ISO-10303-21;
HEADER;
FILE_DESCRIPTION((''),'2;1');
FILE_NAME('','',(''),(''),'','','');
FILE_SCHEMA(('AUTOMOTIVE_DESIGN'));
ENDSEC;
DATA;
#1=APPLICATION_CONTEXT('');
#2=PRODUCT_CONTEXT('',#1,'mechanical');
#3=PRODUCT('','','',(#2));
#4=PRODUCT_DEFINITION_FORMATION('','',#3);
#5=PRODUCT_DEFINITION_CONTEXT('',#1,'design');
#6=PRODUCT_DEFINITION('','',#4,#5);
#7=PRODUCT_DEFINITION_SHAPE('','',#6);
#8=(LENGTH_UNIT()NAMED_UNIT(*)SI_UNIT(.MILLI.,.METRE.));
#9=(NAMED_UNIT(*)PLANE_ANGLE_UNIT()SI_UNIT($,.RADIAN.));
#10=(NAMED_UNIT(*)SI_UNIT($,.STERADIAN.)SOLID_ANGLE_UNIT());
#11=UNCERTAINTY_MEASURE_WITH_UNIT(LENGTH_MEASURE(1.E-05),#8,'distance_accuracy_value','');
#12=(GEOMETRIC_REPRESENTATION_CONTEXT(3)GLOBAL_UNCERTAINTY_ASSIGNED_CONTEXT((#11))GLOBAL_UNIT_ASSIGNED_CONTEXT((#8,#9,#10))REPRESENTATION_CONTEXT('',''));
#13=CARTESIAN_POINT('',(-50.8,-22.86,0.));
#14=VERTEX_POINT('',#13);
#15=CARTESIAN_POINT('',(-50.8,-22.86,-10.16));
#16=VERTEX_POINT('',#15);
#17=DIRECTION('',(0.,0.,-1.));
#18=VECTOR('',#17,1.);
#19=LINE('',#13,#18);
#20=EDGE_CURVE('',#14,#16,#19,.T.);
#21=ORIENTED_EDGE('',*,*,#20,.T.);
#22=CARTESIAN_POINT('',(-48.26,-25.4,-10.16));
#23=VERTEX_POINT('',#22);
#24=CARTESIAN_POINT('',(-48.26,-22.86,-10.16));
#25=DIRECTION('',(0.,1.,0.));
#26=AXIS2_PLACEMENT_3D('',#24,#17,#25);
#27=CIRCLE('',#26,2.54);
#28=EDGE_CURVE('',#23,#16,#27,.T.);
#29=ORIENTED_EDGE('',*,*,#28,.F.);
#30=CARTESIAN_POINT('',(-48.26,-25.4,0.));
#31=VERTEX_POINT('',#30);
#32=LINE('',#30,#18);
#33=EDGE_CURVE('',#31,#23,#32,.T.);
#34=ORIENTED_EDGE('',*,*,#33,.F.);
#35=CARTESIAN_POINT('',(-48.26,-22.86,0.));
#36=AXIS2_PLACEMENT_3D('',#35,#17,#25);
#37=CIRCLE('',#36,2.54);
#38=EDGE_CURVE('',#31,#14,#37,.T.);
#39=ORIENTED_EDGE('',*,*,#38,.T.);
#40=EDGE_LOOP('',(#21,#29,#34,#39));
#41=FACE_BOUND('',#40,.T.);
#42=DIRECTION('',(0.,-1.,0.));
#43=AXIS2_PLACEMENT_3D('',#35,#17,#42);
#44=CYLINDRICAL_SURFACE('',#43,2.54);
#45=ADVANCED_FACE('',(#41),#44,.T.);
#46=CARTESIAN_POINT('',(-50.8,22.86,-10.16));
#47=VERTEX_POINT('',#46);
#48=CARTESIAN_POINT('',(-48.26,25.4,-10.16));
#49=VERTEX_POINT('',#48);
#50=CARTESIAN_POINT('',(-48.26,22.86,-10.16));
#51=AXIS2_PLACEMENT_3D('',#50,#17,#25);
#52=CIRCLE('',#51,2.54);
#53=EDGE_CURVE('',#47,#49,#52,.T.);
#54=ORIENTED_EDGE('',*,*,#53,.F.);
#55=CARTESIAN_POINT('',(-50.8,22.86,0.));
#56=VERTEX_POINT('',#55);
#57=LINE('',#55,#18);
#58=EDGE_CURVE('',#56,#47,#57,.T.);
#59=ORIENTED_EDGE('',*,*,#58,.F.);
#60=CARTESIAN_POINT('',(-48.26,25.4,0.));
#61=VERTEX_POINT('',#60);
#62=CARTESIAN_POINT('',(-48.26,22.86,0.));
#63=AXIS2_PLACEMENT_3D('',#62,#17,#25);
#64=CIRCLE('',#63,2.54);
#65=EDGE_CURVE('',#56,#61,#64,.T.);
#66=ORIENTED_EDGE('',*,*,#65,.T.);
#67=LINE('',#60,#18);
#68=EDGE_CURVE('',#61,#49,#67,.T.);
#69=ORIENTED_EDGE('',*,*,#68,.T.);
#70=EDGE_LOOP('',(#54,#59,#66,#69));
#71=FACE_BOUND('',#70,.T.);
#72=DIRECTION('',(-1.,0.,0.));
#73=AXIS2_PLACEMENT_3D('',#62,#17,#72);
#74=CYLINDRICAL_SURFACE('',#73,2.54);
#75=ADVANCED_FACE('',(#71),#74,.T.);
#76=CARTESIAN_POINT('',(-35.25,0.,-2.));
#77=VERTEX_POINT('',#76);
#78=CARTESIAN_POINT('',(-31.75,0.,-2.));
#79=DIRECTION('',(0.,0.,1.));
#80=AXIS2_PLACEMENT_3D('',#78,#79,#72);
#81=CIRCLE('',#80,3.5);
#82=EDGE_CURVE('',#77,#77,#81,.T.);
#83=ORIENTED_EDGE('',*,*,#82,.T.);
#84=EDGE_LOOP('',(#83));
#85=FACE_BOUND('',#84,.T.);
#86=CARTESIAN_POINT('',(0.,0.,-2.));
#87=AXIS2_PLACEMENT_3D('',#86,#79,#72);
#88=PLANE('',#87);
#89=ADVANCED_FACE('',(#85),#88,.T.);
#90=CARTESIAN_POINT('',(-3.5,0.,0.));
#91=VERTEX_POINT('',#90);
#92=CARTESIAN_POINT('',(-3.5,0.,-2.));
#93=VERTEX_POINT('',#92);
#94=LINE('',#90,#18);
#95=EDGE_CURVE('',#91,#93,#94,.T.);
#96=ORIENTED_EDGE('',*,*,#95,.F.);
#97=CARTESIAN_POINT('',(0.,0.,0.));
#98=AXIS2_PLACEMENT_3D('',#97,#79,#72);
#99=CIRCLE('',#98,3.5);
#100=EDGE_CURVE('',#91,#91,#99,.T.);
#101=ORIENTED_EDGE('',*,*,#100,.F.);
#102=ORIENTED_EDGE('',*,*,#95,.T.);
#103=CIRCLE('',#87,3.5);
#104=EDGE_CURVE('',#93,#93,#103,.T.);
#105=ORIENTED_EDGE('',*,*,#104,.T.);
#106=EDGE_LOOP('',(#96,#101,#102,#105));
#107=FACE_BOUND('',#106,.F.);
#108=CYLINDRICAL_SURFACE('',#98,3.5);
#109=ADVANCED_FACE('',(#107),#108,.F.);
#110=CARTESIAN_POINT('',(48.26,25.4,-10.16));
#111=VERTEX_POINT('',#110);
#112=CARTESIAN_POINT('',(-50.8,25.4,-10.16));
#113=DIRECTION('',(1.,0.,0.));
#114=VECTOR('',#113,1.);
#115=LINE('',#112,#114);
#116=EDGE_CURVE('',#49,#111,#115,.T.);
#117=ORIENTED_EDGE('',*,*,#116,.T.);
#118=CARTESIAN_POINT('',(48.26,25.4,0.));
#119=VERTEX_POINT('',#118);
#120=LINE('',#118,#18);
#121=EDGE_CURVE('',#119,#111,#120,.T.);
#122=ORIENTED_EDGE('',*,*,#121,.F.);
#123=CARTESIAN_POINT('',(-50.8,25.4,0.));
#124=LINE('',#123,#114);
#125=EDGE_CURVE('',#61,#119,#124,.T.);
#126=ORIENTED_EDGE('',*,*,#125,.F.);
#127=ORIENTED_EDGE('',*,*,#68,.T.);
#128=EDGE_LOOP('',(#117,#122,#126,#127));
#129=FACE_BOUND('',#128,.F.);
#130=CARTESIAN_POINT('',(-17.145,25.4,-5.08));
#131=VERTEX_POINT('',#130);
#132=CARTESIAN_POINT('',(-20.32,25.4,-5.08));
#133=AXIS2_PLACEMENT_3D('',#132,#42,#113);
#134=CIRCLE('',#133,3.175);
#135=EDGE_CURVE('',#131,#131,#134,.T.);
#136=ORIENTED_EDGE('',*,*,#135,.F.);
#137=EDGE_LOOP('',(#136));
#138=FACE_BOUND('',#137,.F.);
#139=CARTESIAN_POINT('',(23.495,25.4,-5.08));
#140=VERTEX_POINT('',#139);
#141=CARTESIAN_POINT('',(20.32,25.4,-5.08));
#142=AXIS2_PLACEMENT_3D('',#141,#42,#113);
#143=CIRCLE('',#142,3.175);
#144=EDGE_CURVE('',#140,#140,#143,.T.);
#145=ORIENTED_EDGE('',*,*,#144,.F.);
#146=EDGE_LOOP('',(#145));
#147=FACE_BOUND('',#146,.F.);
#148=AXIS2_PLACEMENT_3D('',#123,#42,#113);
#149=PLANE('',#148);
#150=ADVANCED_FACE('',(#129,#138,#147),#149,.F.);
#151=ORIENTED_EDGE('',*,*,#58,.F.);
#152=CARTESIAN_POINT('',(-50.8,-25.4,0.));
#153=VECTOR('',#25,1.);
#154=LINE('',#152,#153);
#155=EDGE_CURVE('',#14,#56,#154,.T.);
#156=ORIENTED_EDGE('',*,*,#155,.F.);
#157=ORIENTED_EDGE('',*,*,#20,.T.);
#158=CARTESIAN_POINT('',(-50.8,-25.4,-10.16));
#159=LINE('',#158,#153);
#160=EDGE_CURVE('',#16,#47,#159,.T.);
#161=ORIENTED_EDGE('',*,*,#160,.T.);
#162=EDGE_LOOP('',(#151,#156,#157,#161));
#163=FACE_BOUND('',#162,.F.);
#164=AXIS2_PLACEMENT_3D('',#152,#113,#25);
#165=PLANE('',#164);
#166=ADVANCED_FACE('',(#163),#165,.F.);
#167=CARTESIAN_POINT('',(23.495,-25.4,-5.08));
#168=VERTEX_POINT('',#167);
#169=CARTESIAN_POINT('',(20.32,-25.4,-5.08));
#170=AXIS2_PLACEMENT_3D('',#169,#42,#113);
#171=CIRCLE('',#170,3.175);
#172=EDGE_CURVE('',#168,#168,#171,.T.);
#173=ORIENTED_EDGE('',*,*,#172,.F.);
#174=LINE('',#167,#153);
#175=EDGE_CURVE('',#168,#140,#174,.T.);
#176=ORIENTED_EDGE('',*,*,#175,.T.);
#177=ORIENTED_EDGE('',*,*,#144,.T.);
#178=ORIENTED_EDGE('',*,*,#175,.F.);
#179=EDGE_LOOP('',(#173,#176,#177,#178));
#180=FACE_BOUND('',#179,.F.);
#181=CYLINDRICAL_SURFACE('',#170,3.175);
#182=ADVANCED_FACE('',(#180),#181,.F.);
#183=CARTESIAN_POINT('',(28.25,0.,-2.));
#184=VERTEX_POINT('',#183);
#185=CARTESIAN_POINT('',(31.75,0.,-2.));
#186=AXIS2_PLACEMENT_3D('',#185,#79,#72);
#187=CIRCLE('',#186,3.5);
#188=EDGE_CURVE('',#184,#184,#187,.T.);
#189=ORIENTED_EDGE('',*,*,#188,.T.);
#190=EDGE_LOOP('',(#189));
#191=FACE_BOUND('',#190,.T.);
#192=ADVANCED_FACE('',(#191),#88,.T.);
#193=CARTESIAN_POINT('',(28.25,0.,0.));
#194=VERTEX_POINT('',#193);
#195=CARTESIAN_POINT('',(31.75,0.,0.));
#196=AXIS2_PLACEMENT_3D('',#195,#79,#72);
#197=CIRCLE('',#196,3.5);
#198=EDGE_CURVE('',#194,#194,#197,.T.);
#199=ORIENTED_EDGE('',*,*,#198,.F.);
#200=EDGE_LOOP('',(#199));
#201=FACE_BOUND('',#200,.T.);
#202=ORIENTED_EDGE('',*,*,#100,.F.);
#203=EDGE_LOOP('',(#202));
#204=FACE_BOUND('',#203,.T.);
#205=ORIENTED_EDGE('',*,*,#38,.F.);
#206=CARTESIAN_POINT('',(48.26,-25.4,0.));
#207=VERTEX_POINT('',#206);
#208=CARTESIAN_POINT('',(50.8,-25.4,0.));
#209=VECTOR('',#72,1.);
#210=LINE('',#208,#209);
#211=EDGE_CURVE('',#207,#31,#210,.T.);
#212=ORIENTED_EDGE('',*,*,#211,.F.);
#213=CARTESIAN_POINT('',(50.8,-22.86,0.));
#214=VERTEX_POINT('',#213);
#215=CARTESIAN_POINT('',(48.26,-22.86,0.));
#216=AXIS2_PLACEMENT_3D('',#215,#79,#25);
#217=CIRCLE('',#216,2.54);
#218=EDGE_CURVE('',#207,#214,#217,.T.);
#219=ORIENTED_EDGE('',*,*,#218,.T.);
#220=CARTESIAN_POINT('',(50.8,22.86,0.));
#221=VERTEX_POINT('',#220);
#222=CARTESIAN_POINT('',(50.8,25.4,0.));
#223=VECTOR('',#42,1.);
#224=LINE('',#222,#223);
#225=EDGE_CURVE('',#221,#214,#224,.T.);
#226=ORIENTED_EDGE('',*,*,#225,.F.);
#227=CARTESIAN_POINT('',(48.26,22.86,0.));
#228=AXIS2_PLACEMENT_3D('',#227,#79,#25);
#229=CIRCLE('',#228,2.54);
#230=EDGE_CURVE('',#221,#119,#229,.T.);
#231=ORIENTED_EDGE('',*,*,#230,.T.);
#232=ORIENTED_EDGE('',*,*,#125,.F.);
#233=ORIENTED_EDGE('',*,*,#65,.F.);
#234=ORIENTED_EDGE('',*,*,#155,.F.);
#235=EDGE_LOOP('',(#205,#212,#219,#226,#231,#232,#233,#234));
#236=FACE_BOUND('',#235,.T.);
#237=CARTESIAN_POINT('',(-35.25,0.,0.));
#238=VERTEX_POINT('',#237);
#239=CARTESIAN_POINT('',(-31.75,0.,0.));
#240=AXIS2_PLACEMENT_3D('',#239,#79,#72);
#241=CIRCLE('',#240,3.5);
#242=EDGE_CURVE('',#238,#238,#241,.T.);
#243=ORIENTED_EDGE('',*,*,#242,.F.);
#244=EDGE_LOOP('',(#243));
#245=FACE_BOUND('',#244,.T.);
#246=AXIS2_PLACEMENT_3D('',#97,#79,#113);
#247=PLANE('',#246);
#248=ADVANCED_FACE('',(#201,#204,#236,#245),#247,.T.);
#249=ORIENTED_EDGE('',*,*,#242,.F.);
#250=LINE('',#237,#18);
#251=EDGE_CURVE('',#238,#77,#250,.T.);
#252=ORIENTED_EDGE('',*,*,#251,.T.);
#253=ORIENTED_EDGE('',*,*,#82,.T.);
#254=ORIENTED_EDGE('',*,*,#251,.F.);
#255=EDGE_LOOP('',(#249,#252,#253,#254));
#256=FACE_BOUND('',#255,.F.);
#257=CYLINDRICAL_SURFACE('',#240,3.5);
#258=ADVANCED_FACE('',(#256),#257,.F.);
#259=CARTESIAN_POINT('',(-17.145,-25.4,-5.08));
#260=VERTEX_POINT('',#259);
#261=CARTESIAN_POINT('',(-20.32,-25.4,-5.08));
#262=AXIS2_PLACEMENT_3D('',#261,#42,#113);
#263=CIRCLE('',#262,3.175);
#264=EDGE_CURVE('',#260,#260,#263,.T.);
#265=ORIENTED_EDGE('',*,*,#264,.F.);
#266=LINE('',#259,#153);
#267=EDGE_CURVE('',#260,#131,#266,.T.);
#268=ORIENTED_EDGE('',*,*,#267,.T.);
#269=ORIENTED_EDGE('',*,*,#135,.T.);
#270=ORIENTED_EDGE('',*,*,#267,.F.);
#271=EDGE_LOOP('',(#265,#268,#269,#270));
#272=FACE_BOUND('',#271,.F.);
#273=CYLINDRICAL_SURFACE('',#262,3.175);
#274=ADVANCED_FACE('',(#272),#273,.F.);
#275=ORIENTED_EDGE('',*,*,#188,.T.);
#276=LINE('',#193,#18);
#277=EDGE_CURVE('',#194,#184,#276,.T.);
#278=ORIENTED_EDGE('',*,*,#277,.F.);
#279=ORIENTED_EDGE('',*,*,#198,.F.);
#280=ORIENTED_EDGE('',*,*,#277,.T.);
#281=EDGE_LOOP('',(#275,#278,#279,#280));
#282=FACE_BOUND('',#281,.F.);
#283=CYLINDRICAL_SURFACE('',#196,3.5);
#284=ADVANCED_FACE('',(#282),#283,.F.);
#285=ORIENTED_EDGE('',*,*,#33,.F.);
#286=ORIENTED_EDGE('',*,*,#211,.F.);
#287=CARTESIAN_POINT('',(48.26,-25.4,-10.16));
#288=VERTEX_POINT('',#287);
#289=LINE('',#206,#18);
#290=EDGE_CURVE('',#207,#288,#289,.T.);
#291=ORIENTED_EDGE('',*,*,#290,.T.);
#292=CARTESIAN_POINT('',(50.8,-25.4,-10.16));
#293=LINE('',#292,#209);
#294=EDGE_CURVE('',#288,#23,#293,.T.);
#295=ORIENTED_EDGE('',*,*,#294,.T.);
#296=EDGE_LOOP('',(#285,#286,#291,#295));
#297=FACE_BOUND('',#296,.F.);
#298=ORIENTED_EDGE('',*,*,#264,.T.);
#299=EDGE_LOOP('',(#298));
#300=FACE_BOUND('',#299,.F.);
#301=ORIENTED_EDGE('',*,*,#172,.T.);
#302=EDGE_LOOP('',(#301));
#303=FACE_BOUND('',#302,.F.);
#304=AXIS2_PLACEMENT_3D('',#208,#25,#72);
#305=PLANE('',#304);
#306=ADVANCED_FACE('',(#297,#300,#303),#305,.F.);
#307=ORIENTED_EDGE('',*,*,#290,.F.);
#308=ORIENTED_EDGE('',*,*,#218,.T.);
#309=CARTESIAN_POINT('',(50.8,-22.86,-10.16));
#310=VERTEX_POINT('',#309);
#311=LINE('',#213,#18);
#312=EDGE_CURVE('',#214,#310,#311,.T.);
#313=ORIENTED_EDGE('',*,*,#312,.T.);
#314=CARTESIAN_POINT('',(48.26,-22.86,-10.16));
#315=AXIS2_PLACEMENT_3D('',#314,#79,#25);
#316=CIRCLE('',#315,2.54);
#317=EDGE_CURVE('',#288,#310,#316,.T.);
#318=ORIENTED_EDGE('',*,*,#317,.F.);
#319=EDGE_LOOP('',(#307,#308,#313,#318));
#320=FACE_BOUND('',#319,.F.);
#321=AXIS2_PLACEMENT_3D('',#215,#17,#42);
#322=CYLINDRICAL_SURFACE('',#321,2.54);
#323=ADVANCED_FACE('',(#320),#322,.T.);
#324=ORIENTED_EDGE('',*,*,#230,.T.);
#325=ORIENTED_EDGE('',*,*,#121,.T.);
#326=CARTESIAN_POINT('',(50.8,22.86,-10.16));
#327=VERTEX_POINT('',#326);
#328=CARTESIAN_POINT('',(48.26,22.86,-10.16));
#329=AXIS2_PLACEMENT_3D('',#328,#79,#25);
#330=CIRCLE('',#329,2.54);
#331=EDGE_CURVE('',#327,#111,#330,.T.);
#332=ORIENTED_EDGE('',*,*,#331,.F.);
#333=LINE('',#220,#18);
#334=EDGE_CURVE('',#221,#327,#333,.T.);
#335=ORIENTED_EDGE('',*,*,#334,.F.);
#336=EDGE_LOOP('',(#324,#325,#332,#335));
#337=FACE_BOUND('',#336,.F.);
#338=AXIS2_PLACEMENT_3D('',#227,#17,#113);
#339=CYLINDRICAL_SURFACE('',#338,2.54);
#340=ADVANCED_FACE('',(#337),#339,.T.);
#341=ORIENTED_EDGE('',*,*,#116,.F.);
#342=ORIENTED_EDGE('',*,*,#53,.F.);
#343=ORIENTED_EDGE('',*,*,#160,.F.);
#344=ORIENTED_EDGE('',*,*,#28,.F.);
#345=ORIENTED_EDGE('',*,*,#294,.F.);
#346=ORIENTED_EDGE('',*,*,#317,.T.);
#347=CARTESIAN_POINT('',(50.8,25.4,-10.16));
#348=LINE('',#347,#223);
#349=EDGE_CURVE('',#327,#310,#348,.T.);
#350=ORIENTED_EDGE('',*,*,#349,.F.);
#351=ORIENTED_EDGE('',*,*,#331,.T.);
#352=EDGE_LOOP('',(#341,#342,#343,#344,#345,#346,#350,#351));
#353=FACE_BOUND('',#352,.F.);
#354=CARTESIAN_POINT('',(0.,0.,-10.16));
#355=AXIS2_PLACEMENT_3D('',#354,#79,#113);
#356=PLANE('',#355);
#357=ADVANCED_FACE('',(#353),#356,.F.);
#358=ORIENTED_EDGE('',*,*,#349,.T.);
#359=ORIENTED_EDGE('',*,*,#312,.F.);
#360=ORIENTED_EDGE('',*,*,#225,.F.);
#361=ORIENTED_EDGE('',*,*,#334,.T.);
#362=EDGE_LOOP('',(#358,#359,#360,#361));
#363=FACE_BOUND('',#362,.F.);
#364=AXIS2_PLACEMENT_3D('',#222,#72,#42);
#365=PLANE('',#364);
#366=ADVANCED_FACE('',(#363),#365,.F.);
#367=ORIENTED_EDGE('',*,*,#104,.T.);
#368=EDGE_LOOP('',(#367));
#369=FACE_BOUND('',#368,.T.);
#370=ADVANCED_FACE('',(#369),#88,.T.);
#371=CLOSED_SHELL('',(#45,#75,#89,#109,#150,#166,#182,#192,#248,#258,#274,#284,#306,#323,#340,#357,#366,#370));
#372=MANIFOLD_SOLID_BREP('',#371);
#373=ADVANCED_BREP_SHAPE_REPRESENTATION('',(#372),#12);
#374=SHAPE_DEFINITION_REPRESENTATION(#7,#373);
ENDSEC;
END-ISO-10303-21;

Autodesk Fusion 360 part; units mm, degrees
sketch "Sketch1" plane through (0, 0, 0) normal (0, 0, 1) x (1, 0, 0)
  line L0 (50.8, -25.4) -> (-50.8, -25.4)
  line L1 (-50.8, -25.4) -> (-50.8, 25.4)
  line L2 (-50.8, 25.4) -> (50.8, 25.4)
  line L3 (50.8, 25.4) -> (50.8, -25.4)
  line L4 (50.8, -25.4) -> (-50.8, 25.4) construction
  line L5 (-50.8, -25.4) -> (50.8, 25.4) construction
  dimension "d2" = 101.6
  dimension "d8" = 50.8
extrude "Extrude1" add sketch "Sketch1" against normal blind 10.16
sketch "Sketch2" plane through (0, 0, 0) normal (0, 0, 1) x (-1, 0, 0)
  line L0 (-50.8, -25.4) -> (50.8, -25.4)
  line L1 (50.8, -25.4) -> (50.8, 25.4)
  line L2 (50.8, 25.4) -> (-50.8, 25.4)
  line L3 (-50.8, 25.4) -> (-50.8, -25.4)
  circle A0 centre (31.75, 0) radius 3.5
  circle A1 centre (0, 0) radius 3.5
  circle A2 centre (-31.75, 0) radius 3.5
  line L4 (12.7, -25.4) -> (12.7, 25.4) construction
  dimension "d11" = 7
  dimension "d12" = 19.05
  dimension "d13" = 7
  dimension "d14" = 50.8
  dimension "d15" = 7
  dimension "d16" = 19.05
  dimension "d17" = 25.4
  dimension "d18" = 25.4
  dimension "d19" = 25.4
  dimension "d22" = 38.1
extrude "Extrude2" cut sketch "Sketch2" against normal blind 2 contours A0 | A1 | A2
sketch "Sketch3" plane through (0, -25.4, 0) normal (0, -1, 0) x (1, 0, 0)
  line L0 (50.8, 0) -> (-50.8, 0)
  line L1 (-50.8, 0) -> (-50.8, -10.16)
  line L2 (-50.8, -10.16) -> (50.8, -10.16)
  line L3 (50.8, -10.16) -> (50.8, 0)
  circle A0 centre (-20.32, -5.08) radius 3.175
  circle A1 centre (20.32, -5.08) radius 3.175
  dimension "d23" = 30.48
  dimension "d24" = 30.48
  dimension "d25" = 6.35
  dimension "d26" = 6.35
  dimension "d27" = 5.08
  dimension "d28" = 5.08
extrude "Extrude3" cut sketch "Sketch3" against normal through all contours A0 | A1
fillet "Fillet1" radius 2.54 4 edges at (-50.8, -25.4, -5.08) (-50.8, 25.4, -5.08) (50.8, -25.4, -5.08) (50.8, 25.4, -5.08)
